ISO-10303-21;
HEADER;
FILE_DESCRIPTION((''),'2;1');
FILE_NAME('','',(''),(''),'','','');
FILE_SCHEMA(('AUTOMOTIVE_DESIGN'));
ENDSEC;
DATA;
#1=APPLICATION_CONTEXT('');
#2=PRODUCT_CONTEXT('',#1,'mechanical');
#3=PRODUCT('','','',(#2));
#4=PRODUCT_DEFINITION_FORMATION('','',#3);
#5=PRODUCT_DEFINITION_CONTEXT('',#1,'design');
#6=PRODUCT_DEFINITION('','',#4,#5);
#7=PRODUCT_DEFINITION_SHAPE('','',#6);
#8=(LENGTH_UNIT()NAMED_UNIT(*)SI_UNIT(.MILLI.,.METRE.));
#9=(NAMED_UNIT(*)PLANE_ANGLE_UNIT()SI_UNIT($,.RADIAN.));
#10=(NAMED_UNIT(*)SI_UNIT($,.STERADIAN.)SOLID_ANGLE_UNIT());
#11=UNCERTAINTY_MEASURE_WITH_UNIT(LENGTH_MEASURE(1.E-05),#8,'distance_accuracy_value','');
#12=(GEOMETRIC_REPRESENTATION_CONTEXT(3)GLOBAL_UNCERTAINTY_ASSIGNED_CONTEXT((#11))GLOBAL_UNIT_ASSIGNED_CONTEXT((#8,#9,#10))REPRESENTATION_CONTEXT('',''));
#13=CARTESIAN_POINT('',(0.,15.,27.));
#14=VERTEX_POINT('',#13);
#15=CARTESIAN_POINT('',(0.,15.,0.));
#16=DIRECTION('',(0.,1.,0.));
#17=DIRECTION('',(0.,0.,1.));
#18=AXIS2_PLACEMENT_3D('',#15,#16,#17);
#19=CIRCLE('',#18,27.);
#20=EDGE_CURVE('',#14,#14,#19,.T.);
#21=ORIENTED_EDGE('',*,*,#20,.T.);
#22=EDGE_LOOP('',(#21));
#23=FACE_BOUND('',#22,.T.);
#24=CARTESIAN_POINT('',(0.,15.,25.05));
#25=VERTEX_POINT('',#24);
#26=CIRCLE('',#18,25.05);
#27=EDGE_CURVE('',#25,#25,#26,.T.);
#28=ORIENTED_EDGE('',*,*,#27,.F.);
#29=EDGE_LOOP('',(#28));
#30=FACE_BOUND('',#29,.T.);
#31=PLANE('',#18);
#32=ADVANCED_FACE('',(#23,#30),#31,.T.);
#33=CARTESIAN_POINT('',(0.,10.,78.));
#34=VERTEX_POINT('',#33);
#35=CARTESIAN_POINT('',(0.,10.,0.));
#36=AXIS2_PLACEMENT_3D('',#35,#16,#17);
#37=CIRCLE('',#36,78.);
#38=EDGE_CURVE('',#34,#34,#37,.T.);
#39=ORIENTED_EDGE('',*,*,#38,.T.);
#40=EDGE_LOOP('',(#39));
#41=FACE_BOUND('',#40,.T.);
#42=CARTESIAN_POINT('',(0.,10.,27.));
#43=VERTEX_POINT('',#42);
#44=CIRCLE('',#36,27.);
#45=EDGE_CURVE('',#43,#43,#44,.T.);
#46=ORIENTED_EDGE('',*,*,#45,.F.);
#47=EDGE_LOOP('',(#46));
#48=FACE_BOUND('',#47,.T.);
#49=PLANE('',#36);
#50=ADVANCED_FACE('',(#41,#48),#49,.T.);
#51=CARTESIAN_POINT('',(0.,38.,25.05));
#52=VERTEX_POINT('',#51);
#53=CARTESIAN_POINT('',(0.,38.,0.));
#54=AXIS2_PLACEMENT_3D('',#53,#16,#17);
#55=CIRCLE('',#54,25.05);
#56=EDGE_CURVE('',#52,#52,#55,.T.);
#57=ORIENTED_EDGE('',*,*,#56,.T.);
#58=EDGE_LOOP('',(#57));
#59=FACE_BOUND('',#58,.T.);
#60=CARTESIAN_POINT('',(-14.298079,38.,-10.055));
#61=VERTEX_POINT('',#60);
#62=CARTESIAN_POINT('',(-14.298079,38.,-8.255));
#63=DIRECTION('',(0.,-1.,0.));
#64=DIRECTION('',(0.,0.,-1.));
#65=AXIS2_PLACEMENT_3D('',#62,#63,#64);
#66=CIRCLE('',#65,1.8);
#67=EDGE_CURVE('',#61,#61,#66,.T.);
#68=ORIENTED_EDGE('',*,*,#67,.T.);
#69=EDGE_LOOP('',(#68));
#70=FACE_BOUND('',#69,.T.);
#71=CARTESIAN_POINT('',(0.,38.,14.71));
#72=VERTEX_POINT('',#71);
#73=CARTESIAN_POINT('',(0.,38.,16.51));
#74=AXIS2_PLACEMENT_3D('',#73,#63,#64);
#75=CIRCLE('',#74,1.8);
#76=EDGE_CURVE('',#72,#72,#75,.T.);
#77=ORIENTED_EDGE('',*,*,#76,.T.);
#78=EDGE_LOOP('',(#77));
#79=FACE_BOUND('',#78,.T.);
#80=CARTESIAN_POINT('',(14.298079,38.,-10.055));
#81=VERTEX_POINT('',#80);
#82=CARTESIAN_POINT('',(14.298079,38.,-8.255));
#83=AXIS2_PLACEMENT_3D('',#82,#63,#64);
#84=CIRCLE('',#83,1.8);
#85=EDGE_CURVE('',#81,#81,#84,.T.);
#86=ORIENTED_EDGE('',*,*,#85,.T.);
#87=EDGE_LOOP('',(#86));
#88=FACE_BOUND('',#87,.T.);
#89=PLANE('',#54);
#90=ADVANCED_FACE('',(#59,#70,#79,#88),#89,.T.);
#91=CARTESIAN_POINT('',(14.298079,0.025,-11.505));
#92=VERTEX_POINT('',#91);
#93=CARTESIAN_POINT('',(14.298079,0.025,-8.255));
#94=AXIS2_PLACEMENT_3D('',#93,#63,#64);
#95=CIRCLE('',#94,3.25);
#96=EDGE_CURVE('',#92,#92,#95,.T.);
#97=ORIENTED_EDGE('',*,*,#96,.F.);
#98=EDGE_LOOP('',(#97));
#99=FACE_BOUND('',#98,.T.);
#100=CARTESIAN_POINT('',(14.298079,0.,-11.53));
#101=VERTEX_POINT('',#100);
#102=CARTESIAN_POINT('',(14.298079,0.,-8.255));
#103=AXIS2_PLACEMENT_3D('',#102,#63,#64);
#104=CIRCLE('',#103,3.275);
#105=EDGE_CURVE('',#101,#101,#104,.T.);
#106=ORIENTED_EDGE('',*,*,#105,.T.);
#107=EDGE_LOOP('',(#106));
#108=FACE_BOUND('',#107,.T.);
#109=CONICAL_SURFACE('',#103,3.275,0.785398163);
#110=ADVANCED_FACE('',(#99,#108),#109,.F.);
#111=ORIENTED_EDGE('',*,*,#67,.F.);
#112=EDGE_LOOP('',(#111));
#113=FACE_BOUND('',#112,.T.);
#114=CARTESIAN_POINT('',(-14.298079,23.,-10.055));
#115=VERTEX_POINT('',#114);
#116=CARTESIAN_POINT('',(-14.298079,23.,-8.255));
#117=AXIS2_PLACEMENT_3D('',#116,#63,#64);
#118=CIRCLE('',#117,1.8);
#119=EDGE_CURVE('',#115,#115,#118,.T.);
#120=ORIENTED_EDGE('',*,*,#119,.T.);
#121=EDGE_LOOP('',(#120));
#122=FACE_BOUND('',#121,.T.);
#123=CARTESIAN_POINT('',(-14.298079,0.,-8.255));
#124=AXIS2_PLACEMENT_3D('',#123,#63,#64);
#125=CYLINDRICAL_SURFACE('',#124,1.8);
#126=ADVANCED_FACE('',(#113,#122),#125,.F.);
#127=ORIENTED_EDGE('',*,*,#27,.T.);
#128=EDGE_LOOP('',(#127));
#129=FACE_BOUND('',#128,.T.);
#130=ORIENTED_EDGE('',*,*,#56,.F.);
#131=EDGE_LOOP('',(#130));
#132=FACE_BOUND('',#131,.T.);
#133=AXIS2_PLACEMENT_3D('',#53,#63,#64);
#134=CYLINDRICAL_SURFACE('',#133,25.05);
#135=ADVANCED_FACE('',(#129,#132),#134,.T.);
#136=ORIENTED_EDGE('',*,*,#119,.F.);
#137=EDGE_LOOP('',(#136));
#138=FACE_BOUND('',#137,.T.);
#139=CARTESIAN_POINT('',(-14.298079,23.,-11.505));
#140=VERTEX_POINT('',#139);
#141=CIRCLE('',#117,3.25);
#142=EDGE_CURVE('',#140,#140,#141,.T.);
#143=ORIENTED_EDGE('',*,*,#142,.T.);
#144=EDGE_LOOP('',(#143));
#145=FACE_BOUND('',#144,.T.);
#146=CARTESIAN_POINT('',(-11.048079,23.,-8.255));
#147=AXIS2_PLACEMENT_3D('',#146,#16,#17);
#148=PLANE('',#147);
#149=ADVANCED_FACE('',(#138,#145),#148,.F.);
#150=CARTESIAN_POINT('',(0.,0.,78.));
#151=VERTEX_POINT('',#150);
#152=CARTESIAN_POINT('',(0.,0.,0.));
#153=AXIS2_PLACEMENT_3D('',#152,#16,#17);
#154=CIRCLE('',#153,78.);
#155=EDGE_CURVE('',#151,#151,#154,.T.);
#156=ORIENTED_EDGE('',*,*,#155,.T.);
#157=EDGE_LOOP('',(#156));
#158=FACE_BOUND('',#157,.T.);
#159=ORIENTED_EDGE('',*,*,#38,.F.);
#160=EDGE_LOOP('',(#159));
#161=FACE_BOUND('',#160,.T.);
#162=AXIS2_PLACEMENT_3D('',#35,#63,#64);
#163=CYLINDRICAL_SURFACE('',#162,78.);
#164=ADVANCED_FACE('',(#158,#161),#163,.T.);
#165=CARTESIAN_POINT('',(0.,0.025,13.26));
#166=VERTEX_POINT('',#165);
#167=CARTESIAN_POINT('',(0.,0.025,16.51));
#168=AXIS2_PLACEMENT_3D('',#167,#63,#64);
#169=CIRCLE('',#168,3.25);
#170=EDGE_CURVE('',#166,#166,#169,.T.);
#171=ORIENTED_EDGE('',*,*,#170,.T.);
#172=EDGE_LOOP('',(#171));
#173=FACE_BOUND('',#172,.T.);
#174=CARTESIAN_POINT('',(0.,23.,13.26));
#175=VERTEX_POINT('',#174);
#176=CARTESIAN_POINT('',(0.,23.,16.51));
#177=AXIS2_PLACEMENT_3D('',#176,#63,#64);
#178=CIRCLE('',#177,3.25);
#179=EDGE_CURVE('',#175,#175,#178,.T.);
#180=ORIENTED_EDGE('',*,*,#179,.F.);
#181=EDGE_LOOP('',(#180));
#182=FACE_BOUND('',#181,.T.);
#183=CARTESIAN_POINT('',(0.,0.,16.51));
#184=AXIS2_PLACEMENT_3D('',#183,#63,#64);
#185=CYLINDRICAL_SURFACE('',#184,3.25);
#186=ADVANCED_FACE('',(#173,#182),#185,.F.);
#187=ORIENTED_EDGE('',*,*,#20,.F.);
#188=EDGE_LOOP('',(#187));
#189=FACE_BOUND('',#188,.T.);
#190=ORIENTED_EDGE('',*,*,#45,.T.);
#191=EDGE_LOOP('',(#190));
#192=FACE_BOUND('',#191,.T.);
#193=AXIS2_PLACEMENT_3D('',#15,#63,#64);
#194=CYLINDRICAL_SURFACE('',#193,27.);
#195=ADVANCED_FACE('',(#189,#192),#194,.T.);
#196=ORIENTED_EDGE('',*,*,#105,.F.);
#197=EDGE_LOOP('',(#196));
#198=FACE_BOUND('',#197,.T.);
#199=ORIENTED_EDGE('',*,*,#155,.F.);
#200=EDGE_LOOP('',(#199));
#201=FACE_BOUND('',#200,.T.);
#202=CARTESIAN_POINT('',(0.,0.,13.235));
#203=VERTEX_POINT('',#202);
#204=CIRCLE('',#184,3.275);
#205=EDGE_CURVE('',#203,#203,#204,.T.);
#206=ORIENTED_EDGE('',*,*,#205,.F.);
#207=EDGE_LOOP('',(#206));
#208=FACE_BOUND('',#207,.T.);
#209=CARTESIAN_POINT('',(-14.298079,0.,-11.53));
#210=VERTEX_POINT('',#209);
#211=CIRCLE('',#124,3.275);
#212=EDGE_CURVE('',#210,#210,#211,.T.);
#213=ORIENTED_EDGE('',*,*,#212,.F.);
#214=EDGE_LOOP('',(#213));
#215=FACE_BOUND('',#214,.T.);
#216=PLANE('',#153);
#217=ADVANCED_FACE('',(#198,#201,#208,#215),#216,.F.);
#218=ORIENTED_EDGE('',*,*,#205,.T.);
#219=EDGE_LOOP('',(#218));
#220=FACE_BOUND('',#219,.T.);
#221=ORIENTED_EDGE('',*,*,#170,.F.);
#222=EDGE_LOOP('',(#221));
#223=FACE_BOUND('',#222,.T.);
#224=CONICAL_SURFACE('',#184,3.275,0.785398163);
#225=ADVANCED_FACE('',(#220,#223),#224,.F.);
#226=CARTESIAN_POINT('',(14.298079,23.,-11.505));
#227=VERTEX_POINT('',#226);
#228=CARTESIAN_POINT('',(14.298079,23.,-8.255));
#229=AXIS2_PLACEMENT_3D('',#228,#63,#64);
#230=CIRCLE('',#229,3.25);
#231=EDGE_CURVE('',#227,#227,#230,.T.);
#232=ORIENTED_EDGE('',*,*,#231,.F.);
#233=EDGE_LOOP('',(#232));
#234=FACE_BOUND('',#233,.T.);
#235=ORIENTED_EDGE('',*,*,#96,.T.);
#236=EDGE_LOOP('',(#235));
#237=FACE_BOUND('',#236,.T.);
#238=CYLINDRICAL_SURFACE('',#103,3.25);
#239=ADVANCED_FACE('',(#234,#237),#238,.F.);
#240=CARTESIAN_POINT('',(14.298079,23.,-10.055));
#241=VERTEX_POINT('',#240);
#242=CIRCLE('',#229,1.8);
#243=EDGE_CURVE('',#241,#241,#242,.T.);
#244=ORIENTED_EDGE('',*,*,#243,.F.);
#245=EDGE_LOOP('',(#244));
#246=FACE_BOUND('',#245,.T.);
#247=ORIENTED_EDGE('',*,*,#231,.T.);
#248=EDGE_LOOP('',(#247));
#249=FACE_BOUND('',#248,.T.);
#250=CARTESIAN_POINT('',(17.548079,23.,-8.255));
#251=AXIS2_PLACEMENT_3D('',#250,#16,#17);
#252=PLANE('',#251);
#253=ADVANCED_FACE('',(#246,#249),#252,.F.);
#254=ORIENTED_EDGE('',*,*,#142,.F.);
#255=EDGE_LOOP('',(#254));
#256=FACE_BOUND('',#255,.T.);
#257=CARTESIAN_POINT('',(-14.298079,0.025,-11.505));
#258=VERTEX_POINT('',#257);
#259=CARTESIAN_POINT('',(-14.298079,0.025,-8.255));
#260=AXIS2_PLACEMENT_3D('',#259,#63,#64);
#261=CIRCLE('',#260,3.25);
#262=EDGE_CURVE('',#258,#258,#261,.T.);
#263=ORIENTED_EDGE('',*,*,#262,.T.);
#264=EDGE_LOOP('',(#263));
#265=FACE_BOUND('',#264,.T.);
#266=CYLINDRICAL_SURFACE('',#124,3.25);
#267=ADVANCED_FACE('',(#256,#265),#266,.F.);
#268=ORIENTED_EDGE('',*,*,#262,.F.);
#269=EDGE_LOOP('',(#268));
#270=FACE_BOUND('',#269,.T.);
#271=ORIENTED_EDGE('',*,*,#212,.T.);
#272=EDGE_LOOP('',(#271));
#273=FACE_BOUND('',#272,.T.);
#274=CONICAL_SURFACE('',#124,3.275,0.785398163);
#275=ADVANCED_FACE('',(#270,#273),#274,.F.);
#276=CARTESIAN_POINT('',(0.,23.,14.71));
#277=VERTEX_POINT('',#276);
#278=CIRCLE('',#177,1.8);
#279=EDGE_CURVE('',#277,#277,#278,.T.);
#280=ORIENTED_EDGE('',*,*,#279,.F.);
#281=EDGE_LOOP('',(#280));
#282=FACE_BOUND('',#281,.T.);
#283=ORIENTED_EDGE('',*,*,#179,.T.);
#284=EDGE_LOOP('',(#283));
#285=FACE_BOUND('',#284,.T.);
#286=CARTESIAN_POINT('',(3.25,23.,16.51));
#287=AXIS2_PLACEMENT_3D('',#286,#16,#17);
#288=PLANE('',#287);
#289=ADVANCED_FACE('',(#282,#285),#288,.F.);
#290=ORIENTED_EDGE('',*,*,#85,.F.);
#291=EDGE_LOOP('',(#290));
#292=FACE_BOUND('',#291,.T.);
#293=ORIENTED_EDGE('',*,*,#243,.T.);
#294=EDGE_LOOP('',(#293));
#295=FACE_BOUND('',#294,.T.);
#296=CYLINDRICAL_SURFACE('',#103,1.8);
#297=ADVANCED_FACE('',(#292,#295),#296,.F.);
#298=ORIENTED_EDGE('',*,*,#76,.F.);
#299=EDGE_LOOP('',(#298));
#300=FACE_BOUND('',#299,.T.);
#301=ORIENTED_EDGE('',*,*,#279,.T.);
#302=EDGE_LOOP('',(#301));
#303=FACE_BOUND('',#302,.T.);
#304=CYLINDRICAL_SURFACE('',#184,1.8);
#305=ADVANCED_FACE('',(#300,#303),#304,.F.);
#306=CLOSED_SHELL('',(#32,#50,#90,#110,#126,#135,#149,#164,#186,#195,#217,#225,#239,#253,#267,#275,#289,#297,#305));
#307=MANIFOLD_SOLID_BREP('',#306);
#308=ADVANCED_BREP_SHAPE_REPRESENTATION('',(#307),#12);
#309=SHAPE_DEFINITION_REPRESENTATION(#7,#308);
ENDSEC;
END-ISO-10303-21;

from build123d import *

# Parameters (mm, degrees)
SKETCH1_R                     = 78
BOSS_EXTRUDE1_DEPTH           = 10
SKETCH2_R                     = 27
BOSS_EXTRUDE2_DEPTH           = 5
SKETCH3_R                     = 25.05
BOSS_EXTRUDE3_DEPTH           = 23
CBORE_FOR_M3_SHCS1_AT_2_COUNT = 2
CBORE_FOR_M3_SHCS1_AT_2_PITCH = 28.596158833
CBORE_FOR_M3_SHCS1_AT_3_COUNT = 2
CBORE_FOR_M3_SHCS1_AT_3_PITCH = 28.596158833


with BuildPart() as part:
    # Sketch1 → Boss-Extrude1 (new body)
    with BuildSketch(Plane(origin=(0, 0, 0), x_dir=(1, 0, 0), z_dir=(0, 1, 0))):
        with Locations(Location((0, 0, 0), (0, 0, 270))):
            Circle(SKETCH1_R)
    extrude(amount=BOSS_EXTRUDE1_DEPTH)

    # Sketch2 → Boss-Extrude2 (add)
    with BuildSketch(Plane(origin=(0, 10, 0), x_dir=(1, 0, 0), z_dir=(0, 1, 0))):
        with Locations(Location((0, 0, 0), (0, 0, 270))):
            Circle(SKETCH2_R)
    extrude(amount=BOSS_EXTRUDE2_DEPTH)

    # Sketch3 → Boss-Extrude3 (add)
    with BuildSketch(Plane(origin=(0, 15, 0), x_dir=(1, 0, 0), z_dir=(0, 1, 0))):
        with Locations(Location((0, 0, 0), (0, 0, 270))):
            Circle(SKETCH3_R)
    extrude(amount=BOSS_EXTRUDE3_DEPTH)

    # Sketch5 → CBORE for M3 SHCS1 (revolve, cut)
    with BuildSketch(Plane(origin=(0, 0, 16.51), x_dir=(0, 0, -1), z_dir=(1, 0, 0))):
        Polygon((0, 0), (0, 38), (1.8, 38), (1.8, 23), (3.25, 23), (3.25, 0.025), (3.275, 0), align=None)
    cbore_for_m3_shcs1 = revolve(axis=Axis((0, -6.35, 16.51), (0, 1, 0)), mode=Mode.SUBTRACT)

    # CBORE for M3 SHCS1 at 2: CBORE for M3 SHCS1 ×2
    with Locations(*[Vector(0.5000000000000012, 0, -0.8660254037844379) * (i * CBORE_FOR_M3_SHCS1_AT_2_PITCH) for i in range(1, CBORE_FOR_M3_SHCS1_AT_2_COUNT)]):
        add(cbore_for_m3_shcs1, mode=Mode.SUBTRACT)

    # CBORE for M3 SHCS1 at 3: CBORE for M3 SHCS1 ×2
    with Locations(*[Vector(-0.4999999999999978, 0, -0.8660254037844399) * (i * CBORE_FOR_M3_SHCS1_AT_3_PITCH) for i in range(1, CBORE_FOR_M3_SHCS1_AT_3_COUNT)]):
        add(cbore_for_m3_shcs1, mode=Mode.SUBTRACT)


solid = part.part
